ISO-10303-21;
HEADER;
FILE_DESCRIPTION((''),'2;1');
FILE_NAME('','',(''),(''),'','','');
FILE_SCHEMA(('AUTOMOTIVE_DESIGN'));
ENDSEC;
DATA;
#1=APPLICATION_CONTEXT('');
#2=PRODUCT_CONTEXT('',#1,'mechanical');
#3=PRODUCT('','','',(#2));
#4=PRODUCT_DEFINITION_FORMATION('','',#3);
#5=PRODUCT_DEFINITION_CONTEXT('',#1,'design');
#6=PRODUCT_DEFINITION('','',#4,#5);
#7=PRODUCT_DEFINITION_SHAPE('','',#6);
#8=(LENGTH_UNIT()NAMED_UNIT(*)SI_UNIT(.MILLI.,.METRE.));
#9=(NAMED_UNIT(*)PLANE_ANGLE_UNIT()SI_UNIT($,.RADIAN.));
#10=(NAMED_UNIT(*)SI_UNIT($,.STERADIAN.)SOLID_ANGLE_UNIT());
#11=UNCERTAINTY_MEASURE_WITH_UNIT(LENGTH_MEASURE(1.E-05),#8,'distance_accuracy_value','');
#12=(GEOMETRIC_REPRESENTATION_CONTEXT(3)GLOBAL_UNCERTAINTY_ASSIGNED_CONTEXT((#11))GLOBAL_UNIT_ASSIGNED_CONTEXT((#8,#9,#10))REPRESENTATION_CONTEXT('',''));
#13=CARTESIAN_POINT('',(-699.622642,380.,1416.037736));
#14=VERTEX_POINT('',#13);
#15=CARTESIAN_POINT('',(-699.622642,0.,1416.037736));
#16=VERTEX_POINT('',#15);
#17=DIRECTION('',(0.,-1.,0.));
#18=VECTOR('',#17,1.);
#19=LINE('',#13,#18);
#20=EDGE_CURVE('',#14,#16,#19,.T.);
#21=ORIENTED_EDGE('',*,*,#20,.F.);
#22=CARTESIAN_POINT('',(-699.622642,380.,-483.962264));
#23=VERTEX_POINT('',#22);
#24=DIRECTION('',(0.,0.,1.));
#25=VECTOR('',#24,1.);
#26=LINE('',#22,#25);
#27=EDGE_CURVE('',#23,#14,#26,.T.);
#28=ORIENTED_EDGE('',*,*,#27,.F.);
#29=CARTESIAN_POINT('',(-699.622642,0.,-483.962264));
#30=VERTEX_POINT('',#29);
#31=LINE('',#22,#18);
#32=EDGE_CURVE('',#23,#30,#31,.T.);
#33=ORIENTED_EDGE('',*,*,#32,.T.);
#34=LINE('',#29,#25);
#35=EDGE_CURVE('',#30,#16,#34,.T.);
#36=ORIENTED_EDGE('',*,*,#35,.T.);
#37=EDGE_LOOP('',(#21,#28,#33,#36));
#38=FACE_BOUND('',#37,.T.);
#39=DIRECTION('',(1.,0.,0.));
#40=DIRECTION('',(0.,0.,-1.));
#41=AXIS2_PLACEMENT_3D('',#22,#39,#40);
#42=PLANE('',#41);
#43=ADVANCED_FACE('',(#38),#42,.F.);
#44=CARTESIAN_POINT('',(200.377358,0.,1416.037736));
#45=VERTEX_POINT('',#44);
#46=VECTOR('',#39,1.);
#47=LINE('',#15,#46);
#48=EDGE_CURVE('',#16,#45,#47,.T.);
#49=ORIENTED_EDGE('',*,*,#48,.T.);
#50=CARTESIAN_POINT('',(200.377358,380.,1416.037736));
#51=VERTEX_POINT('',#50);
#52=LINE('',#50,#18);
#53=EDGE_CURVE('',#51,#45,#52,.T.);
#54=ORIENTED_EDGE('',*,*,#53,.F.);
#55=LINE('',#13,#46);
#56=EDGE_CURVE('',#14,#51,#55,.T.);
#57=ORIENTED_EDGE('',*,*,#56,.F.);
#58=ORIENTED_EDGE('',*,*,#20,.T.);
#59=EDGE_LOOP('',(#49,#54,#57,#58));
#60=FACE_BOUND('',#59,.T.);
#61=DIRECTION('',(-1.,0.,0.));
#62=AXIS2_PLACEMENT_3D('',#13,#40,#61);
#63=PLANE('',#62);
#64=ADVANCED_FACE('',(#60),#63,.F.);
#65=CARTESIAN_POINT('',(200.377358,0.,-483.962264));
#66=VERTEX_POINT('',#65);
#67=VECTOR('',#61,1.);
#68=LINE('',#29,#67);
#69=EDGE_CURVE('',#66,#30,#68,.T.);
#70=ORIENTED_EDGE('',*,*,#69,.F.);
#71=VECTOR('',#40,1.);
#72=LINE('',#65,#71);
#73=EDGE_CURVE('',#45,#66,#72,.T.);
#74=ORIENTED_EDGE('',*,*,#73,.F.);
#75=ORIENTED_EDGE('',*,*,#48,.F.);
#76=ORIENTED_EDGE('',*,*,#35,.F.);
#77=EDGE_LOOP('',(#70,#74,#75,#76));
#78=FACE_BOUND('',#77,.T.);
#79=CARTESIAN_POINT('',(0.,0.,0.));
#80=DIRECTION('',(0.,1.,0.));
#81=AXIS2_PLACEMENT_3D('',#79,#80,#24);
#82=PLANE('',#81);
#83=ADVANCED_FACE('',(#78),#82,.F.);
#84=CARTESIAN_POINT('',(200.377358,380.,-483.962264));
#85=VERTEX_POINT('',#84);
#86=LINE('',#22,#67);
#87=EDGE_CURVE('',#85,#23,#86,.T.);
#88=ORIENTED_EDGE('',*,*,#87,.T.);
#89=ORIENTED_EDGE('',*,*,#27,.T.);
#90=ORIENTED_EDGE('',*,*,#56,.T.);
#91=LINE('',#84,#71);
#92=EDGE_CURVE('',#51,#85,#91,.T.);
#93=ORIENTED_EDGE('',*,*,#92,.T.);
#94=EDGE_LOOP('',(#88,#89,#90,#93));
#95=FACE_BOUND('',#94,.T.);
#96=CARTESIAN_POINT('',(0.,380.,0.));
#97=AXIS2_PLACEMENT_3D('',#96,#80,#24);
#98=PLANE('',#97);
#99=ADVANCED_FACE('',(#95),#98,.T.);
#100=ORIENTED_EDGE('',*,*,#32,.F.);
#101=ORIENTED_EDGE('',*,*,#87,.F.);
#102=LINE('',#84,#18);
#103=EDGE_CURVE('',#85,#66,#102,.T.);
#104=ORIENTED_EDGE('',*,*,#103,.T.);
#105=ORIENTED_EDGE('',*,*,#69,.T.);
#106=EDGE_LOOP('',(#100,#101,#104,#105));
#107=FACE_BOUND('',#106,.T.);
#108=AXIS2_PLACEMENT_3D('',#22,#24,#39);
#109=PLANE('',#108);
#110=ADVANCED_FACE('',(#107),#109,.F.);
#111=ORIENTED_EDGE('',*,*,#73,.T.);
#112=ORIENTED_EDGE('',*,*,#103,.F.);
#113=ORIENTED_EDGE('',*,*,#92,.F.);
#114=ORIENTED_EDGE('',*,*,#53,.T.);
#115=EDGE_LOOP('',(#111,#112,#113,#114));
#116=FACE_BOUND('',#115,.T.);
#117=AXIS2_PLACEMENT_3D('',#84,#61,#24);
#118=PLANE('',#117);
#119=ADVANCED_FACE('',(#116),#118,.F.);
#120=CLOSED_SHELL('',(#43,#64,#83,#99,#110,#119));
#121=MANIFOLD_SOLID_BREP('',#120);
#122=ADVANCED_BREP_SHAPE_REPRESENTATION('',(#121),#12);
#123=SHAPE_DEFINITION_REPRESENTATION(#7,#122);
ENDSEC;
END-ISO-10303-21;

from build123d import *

# Parameters (mm, degrees)
SKETCH1_W           = 900
SKETCH1_H           = 1900
BOSS_EXTRUDE1_DEPTH = 380


with BuildPart() as part:
    # Sketch1 → Boss-Extrude1 (new body)
    with BuildSketch(Plane(origin=(0, 0, 0), x_dir=(1, 0, 0), z_dir=(0, 1, 0))):
        with Locations((-249.622641509, -466.037735849)):
            Rectangle(SKETCH1_W, SKETCH1_H)
    extrude(amount=BOSS_EXTRUDE1_DEPTH)


solid = part.part
